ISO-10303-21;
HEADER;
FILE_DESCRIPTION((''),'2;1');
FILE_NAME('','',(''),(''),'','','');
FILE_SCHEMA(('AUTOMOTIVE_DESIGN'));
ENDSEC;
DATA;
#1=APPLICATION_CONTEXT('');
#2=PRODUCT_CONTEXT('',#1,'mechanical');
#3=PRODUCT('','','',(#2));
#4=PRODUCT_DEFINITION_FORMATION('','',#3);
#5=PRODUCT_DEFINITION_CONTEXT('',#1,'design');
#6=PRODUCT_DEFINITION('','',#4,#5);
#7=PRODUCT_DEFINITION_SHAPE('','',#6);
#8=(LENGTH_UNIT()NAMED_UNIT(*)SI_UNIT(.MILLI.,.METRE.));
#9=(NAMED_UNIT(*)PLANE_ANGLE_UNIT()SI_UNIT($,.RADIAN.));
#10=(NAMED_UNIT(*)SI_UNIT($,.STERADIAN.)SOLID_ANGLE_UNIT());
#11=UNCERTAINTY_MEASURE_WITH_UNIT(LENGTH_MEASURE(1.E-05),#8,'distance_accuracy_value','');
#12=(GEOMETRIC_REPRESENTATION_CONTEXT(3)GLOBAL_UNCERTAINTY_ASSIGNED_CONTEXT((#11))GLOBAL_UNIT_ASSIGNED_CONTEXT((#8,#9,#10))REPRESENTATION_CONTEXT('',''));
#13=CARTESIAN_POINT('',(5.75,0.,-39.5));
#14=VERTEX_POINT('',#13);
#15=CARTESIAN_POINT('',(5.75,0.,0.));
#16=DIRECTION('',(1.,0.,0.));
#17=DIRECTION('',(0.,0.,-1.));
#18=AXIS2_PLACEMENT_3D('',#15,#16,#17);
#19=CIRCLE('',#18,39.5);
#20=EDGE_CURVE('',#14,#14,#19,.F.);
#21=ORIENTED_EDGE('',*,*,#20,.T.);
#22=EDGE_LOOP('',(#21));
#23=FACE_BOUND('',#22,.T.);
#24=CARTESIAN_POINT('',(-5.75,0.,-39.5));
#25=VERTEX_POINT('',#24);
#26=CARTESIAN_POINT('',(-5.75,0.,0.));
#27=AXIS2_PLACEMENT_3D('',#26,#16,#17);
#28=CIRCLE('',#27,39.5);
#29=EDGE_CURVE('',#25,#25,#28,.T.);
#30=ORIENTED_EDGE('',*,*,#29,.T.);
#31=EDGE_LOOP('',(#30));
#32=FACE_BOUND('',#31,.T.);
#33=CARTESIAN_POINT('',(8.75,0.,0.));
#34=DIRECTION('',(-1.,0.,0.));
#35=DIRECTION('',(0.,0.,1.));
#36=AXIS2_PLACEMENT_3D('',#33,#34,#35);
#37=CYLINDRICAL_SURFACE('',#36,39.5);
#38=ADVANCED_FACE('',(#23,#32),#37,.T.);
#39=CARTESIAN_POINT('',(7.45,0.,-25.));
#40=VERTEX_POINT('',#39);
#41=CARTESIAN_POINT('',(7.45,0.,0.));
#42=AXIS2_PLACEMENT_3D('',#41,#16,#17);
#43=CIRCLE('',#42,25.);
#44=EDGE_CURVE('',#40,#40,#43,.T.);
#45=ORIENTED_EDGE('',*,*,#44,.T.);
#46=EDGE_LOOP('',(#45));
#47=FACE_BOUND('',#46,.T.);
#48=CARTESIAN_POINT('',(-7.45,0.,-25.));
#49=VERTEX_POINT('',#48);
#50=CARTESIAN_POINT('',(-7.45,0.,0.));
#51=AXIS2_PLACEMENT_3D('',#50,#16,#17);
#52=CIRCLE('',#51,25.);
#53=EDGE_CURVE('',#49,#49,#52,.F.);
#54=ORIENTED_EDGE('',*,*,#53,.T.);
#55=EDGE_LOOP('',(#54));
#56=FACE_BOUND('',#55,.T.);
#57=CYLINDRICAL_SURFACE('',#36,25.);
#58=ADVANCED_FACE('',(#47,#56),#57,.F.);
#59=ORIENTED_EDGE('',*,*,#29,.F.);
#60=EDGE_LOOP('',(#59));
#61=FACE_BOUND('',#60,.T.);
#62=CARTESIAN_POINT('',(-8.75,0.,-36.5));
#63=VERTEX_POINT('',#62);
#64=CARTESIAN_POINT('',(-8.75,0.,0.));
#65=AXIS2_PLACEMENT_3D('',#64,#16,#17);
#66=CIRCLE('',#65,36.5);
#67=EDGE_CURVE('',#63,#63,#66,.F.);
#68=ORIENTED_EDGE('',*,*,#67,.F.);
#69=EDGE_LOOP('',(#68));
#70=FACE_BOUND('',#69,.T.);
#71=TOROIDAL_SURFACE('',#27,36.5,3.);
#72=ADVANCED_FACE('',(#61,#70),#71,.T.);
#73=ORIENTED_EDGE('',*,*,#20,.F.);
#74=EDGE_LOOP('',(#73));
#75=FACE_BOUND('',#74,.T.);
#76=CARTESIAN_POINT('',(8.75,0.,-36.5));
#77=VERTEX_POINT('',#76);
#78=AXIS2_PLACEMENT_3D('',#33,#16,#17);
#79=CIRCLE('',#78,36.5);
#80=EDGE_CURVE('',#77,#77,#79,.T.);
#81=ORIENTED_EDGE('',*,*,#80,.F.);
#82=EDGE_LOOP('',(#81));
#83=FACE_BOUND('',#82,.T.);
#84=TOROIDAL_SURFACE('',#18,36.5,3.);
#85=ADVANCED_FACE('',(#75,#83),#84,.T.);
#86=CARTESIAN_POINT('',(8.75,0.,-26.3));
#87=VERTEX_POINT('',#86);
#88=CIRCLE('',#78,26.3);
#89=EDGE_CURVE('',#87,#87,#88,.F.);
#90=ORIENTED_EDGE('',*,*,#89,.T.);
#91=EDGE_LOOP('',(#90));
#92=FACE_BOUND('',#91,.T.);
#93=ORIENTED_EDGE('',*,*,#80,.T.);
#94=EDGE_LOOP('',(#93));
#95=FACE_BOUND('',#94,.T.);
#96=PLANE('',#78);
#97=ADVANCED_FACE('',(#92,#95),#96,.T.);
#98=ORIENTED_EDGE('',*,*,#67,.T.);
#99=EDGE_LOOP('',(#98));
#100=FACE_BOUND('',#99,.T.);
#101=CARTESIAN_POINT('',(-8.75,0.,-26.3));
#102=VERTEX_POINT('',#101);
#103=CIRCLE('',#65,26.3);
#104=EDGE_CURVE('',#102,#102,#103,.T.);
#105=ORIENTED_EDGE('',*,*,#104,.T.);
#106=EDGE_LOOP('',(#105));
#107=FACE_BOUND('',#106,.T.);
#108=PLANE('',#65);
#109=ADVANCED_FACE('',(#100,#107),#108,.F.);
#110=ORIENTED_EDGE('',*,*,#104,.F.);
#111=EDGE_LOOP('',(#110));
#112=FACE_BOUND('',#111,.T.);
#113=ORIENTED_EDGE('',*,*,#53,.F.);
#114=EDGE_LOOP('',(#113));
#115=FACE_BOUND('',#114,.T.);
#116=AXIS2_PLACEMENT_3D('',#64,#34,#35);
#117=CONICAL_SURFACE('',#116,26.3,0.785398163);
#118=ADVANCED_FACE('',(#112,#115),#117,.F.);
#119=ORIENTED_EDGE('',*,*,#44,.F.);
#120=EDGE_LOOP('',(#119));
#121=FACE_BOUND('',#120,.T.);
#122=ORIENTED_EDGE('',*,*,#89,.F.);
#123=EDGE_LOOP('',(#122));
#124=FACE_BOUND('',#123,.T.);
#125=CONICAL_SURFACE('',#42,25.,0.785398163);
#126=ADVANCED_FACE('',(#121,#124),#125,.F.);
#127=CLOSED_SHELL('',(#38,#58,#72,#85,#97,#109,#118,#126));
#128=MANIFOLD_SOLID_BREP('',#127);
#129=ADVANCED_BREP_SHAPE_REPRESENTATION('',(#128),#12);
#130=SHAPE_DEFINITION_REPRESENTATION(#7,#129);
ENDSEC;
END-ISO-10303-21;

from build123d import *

# Parameters (mm, degrees)
SKETCH1_R           = 39.5
SKETCH1_R_2         = 25
BOSS_EXTRUDE1_DEPTH = 8.75
FILLET1_R           = 3
CHAMFER1_SIZE       = 1.3


with BuildPart() as part:
    # Sketch1 → Boss-Extrude1 (new, symmetric)
    with BuildSketch(Plane(origin=(0, 0, 0), x_dir=(0, 0, -1), z_dir=(1, 0, 0))):
        Circle(SKETCH1_R)
        Circle(SKETCH1_R_2, mode=Mode.SUBTRACT)
    extrude(amount=BOSS_EXTRUDE1_DEPTH, both=True)

    # Fillet1
    fillet1_edges = [part.edges().sort_by_distance(p)[0] for p in [
        (-8.75, 0, 39.5),
        (8.75, 0, 39.5),
    ]]
    fillet(fillet1_edges, radius=FILLET1_R)

    # Chamfer1
    chamfer1_edges = [part.edges().sort_by_distance(p)[0] for p in [
        (-8.75, 0, 25),
        (8.75, 0, 25),
    ]]
    chamfer(chamfer1_edges, length=CHAMFER1_SIZE)


solid = part.part
